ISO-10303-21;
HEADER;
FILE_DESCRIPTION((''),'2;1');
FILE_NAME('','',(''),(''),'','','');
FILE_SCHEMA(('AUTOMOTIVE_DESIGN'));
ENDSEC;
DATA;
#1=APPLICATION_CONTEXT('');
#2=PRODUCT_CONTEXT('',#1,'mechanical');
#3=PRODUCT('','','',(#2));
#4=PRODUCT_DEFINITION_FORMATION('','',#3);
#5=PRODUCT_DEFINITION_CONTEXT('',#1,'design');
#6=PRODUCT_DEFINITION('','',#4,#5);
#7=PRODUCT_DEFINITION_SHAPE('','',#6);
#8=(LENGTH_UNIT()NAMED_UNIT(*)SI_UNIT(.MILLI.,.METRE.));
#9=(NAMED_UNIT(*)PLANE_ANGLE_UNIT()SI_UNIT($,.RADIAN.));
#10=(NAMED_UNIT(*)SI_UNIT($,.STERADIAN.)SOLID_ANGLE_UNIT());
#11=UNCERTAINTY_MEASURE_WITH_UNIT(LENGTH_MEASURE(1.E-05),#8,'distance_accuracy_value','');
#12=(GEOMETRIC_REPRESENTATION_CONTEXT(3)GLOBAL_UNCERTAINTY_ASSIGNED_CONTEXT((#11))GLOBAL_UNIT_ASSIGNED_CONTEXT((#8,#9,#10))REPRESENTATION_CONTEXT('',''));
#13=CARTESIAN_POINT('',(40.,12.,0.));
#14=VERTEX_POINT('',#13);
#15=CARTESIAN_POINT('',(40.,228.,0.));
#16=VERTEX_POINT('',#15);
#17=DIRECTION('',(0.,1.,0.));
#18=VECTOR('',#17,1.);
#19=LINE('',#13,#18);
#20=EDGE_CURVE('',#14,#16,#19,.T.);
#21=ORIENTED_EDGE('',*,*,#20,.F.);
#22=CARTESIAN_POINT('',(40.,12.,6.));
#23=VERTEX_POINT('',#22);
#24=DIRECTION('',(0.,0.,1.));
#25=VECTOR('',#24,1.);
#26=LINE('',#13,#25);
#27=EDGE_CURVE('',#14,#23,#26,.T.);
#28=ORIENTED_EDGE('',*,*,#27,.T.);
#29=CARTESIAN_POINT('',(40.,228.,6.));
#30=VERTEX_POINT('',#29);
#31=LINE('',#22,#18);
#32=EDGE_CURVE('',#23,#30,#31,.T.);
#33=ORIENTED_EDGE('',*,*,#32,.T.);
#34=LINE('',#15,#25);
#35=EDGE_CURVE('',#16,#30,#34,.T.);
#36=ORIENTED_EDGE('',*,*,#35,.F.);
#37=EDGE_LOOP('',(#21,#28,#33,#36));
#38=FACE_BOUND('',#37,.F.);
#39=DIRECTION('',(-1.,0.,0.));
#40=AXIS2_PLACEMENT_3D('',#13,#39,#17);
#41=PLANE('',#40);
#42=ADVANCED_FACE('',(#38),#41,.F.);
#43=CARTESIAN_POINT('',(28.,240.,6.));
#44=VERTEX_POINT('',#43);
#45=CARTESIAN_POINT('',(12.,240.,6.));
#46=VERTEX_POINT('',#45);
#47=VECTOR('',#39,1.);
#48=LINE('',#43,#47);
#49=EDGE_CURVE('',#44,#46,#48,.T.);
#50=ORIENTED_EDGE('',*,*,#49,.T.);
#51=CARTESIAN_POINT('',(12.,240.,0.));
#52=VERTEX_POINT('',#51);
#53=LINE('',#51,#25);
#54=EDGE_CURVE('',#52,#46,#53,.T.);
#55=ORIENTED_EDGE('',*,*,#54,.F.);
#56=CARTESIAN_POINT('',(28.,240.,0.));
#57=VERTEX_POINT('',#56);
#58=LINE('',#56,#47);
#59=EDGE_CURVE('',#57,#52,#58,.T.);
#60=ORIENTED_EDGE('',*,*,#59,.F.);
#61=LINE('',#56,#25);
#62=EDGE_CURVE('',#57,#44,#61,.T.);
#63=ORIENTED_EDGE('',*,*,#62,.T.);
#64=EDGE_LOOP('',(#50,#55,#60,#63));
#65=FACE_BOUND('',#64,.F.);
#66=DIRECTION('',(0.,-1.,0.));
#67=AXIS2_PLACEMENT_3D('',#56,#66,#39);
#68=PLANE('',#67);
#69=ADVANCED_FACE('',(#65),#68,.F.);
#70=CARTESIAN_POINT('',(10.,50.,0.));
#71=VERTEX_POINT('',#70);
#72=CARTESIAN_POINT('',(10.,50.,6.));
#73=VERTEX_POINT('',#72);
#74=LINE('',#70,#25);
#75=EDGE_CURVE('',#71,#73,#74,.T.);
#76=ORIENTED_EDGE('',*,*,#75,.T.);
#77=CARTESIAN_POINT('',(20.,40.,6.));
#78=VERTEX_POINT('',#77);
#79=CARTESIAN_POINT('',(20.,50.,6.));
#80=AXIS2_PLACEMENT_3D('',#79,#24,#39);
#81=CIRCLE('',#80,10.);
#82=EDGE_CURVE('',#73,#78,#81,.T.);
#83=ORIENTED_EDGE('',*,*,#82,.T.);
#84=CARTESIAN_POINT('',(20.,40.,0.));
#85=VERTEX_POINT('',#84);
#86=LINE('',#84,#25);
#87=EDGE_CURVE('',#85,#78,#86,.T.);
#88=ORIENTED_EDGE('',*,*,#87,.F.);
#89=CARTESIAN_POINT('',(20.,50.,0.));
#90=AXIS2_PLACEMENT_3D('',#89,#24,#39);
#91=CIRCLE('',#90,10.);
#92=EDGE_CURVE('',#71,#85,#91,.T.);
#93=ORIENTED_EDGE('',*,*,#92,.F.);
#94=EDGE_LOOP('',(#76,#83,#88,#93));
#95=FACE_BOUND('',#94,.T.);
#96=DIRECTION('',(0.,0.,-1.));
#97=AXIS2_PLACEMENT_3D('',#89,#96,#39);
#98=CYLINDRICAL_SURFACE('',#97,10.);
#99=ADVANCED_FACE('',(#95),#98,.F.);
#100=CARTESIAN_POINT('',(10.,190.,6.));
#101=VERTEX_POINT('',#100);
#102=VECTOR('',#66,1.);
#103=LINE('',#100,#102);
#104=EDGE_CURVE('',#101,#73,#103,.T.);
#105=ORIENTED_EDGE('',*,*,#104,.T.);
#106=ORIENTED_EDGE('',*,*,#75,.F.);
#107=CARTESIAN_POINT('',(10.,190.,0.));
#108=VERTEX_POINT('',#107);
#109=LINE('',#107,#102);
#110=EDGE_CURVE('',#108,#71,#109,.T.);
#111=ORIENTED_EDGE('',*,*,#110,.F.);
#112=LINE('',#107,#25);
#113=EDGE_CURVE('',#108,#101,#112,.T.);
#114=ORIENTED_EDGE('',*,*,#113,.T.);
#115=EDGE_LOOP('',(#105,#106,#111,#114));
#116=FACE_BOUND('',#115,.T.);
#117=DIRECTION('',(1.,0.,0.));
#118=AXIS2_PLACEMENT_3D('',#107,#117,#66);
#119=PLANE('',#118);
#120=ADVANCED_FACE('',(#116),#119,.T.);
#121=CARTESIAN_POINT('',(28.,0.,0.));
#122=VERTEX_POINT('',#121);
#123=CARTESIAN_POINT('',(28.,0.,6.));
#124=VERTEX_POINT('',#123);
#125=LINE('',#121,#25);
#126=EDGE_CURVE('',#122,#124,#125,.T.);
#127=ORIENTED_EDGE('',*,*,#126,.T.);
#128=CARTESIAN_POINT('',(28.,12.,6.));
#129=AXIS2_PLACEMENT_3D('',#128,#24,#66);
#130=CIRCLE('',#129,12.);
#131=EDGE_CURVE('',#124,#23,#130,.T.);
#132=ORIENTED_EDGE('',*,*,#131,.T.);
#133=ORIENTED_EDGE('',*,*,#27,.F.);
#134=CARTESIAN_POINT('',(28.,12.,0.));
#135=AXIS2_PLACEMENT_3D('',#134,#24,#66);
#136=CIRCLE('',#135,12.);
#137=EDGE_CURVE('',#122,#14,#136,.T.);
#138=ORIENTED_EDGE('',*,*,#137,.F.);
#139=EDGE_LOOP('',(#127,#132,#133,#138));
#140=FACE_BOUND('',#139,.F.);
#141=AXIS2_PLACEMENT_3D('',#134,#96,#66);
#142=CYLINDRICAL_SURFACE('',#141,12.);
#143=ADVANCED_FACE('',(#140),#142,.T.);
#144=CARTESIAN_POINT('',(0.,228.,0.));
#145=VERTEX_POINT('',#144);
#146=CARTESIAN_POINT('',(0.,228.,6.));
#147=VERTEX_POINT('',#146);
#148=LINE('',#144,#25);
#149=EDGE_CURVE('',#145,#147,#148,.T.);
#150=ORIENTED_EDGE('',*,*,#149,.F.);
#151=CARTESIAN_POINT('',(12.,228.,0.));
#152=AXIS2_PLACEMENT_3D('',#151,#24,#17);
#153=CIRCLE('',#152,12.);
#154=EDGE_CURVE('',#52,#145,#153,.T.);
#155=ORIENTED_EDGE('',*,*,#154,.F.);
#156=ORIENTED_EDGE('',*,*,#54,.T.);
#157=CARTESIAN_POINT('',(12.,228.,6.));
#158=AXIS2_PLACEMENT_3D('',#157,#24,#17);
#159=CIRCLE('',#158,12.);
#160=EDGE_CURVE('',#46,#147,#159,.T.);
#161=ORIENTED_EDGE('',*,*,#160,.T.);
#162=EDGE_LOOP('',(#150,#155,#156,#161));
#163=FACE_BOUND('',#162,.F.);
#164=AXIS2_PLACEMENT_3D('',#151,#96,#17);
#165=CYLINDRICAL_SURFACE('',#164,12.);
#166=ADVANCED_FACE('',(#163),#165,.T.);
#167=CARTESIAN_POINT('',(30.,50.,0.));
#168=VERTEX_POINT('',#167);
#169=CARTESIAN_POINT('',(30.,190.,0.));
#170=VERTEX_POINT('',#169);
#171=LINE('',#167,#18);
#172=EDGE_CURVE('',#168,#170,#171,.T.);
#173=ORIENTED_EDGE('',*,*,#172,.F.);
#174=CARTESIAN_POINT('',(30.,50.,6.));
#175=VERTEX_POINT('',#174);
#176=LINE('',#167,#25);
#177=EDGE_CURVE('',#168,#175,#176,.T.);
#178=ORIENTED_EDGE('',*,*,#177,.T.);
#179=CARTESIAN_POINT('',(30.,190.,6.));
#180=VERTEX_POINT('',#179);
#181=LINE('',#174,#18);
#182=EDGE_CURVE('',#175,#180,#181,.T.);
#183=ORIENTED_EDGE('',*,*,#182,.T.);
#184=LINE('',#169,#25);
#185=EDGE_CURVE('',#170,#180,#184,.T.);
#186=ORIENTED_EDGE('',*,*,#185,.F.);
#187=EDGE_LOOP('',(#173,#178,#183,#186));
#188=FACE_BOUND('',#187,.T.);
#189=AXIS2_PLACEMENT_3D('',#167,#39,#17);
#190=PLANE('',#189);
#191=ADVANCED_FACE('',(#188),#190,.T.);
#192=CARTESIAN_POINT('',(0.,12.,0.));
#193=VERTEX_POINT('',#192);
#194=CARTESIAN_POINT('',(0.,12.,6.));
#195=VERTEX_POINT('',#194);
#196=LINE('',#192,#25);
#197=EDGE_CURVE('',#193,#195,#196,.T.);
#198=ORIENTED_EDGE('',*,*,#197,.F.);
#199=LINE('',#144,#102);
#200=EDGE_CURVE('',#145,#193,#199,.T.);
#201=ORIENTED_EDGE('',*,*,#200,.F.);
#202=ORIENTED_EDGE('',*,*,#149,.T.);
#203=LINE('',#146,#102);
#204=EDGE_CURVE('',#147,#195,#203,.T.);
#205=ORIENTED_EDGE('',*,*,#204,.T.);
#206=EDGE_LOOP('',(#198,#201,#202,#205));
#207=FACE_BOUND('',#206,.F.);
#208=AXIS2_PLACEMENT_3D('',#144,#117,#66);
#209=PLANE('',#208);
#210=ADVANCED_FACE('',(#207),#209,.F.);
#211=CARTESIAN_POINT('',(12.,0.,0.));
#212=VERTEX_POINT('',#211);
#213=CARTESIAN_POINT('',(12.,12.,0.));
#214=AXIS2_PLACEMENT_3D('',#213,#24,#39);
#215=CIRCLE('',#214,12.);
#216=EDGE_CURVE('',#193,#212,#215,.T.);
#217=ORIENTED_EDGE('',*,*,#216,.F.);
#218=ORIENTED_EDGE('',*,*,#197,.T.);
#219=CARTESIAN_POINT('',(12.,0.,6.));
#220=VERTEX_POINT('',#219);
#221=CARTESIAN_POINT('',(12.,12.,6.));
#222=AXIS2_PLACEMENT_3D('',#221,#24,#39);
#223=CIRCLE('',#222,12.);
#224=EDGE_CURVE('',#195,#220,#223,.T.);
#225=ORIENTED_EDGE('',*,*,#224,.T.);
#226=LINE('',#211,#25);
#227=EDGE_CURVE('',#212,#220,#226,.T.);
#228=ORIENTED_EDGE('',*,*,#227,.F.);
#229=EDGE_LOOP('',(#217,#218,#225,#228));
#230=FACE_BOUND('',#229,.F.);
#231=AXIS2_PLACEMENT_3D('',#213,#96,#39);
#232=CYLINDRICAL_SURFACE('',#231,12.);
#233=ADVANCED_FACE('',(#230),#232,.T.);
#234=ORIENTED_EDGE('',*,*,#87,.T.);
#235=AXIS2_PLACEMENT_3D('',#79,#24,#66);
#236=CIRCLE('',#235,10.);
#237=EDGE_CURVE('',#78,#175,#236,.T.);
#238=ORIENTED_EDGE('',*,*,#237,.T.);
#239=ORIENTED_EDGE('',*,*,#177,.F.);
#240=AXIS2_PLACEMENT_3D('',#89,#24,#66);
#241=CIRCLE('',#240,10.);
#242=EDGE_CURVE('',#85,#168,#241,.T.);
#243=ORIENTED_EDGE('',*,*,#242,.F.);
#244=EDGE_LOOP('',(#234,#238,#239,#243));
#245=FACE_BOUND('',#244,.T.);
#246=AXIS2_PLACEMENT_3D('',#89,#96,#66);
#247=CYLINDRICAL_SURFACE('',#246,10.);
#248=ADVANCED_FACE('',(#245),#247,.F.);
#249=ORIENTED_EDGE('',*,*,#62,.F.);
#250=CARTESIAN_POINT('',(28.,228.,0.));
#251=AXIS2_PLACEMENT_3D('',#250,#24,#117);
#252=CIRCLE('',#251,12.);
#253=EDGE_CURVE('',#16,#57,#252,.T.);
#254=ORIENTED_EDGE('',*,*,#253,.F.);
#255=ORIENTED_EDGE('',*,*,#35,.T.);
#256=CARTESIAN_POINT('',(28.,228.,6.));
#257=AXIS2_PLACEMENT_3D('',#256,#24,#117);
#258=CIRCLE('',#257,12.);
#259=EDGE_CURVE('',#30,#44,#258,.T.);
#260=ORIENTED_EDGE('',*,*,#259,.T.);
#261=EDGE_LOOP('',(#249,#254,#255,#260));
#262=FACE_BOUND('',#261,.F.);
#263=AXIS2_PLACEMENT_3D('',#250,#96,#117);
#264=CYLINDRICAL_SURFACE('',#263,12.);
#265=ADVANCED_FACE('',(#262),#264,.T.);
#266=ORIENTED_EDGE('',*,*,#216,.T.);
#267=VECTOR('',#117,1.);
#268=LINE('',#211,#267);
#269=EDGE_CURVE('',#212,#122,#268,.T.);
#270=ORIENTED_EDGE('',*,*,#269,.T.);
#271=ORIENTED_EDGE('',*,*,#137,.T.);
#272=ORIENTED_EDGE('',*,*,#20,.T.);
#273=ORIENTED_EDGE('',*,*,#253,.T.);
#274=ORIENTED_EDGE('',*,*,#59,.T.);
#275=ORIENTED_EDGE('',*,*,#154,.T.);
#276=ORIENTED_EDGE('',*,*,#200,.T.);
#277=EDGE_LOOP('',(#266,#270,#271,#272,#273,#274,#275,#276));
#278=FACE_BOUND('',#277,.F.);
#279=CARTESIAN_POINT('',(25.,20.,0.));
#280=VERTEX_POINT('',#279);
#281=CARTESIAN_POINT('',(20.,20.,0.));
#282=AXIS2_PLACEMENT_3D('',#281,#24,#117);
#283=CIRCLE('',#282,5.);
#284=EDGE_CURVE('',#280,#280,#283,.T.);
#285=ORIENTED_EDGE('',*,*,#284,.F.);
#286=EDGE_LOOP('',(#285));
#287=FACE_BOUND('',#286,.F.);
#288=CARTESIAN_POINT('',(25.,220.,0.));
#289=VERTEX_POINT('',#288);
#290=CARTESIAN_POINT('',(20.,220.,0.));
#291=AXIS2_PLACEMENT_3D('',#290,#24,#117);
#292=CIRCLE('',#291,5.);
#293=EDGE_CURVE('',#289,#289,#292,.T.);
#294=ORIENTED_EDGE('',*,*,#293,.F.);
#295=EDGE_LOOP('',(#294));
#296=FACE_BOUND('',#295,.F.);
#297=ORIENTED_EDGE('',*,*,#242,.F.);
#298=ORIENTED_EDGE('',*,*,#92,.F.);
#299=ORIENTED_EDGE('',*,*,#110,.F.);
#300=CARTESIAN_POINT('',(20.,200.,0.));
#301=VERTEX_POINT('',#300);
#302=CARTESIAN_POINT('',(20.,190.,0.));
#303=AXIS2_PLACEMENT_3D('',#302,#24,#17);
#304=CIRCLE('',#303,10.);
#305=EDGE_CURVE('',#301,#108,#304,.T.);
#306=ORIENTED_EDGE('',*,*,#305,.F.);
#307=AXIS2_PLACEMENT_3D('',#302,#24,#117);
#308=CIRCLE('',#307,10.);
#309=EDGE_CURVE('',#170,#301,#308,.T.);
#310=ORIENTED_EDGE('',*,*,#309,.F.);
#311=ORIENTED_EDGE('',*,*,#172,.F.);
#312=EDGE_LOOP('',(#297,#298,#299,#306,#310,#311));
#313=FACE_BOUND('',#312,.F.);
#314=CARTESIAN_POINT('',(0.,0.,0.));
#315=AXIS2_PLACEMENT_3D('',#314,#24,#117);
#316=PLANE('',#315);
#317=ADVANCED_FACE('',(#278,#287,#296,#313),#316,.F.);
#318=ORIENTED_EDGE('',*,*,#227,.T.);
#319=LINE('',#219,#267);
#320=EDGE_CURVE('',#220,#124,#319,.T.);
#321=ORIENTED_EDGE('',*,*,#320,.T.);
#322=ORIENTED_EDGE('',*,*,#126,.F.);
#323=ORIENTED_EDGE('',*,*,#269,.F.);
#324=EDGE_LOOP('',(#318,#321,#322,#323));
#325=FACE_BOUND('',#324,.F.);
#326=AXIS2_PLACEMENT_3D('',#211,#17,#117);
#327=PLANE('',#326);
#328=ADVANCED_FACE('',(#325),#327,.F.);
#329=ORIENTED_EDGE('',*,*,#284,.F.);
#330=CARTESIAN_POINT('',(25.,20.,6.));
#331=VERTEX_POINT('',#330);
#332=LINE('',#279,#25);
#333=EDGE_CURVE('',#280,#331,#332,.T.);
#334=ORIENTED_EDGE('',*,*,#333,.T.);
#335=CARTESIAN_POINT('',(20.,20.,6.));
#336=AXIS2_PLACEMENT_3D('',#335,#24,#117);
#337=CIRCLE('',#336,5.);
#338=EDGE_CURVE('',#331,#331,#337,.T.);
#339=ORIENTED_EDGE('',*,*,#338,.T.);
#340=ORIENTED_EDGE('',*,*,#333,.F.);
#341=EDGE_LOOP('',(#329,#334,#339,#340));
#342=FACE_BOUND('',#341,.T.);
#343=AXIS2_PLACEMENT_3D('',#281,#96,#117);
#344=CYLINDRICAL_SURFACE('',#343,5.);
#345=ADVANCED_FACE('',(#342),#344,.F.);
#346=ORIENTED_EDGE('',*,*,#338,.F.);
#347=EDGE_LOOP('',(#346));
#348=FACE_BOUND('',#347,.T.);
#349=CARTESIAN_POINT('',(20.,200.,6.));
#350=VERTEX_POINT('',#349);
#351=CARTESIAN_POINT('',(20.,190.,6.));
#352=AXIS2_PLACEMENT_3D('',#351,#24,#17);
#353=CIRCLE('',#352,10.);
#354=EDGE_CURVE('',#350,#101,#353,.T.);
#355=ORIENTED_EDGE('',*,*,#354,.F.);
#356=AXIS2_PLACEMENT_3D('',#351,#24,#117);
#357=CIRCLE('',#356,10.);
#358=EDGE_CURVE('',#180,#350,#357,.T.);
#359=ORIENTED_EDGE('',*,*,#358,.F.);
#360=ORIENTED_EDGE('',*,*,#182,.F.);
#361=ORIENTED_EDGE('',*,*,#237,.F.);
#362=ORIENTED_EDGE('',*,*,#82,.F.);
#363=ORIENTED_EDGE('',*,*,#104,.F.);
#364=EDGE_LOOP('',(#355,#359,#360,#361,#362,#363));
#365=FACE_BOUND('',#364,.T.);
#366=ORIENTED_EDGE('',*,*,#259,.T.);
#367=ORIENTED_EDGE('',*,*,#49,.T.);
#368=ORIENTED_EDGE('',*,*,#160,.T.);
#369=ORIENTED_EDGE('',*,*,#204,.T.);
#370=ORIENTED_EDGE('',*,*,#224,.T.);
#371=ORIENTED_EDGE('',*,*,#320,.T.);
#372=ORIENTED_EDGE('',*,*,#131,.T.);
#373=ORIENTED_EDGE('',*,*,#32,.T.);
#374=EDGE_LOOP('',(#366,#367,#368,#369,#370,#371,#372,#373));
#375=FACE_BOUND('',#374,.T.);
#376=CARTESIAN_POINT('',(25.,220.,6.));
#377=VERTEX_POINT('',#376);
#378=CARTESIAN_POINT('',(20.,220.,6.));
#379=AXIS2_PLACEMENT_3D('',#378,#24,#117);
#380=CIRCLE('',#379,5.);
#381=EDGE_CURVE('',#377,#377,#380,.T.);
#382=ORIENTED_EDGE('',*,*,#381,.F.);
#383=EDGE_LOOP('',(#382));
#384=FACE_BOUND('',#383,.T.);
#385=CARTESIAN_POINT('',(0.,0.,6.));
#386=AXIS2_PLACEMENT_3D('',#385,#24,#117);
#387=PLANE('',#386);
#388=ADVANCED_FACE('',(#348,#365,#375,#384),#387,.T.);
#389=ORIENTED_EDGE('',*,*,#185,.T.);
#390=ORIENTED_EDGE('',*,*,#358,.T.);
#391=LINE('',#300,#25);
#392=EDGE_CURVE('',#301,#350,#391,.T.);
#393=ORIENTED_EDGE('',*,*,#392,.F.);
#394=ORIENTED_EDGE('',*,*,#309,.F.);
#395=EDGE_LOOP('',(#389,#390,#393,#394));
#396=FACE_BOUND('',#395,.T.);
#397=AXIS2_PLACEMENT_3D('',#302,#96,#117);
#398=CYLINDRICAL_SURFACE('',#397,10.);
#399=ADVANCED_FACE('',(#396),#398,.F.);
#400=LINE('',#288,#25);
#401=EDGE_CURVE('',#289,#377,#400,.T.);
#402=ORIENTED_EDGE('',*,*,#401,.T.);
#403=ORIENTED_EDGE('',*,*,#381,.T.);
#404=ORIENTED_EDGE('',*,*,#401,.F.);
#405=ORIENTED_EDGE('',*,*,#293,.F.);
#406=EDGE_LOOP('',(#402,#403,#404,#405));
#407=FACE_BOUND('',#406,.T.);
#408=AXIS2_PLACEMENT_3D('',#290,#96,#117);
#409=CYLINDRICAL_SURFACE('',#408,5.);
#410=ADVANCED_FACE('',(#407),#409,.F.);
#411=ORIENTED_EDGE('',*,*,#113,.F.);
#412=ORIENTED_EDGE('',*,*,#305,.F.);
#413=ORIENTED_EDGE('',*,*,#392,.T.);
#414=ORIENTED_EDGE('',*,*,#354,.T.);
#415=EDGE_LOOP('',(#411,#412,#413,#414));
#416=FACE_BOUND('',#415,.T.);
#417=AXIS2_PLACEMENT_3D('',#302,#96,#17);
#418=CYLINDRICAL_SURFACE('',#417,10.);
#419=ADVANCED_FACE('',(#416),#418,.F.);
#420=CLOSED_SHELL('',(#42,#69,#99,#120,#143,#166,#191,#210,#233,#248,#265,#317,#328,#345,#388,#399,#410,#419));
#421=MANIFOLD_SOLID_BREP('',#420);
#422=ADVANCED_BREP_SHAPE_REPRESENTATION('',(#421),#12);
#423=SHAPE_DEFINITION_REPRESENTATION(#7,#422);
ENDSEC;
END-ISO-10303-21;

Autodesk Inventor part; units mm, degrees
ref_plane "YZ Plane" through (0, 0, 0) normal (1, 0, 0) x (0, 1, 0)
ref_plane "XZ Plane" through (0, 0, 0) normal (0, 1, 0) x (-1, 0, 0)
ref_plane "XY Plane" through (0, 0, 0) normal (0, 0, 1) x (1, 0, 0)
sketch "Boceto2" plane through (0, 0, 0) normal (0, 0, 1) x (1, 0, 0)
  line L0 (12, 0) -> (28, 0)
  line L1 (40, 12) -> (40, 228)
  line L2 (28, 240) -> (12, 240)
  line L3 (0, 228) -> (0, 12)
  arc A0 (12, 240) -> (0, 228) centre (12, 228) ccw
  arc A1 (40, 228) -> (28, 240) centre (28, 228) ccw
  circle A2 centre (20, 20) radius 5
  line L4 (20, 40) -> (20, 40)
  line L5 (30, 50) -> (30, 190)
  line L6 (20, 200) -> (20, 200)
  line L7 (10, 190) -> (10, 50)
  line L8 (10, 40) -> (30, 200) construction
  line L9 (30, 40) -> (10, 200) construction
  arc A3 (0, 12) -> (12, 0) centre (12, 12) ccw
  arc A4 (28, 0) -> (40, 12) centre (28, 12) ccw
  arc A5 (10, 50) -> (20, 40) centre (20, 50) ccw
  arc A6 (20, 40) -> (30, 50) centre (20, 50) ccw
  arc A7 (20, 200) -> (10, 190) centre (20, 190) ccw
  arc A8 (30, 190) -> (20, 200) centre (20, 190) ccw
  circle A9 centre (20, 220) radius 5
  point P0 (0, 0)
  point P1 (40, 240)
  point P2 (40, 0)
  point P3 (0, 240)
  point P4 (20, 0)
  point P5 (20, 120)
  point P6 (20, 40)
  point P7 (20, 200)
  dimension "d0" = 40
  dimension "d1" = 240
  dimension "d2" = 12
  dimension "d3" = 12
  dimension "d4" = 10
  dimension "d5" = 20
  dimension "d6" = 20
  dimension "d7" = 160
  dimension "d8" = 120
  dimension "d9" = 12
  dimension "d10" = 10
  dimension "d13" = 10
  dimension "d17" = 200
extrude "Extrusión2" add sketch "Boceto2" along normal blind 6
properties part number "Eslabon 2"
